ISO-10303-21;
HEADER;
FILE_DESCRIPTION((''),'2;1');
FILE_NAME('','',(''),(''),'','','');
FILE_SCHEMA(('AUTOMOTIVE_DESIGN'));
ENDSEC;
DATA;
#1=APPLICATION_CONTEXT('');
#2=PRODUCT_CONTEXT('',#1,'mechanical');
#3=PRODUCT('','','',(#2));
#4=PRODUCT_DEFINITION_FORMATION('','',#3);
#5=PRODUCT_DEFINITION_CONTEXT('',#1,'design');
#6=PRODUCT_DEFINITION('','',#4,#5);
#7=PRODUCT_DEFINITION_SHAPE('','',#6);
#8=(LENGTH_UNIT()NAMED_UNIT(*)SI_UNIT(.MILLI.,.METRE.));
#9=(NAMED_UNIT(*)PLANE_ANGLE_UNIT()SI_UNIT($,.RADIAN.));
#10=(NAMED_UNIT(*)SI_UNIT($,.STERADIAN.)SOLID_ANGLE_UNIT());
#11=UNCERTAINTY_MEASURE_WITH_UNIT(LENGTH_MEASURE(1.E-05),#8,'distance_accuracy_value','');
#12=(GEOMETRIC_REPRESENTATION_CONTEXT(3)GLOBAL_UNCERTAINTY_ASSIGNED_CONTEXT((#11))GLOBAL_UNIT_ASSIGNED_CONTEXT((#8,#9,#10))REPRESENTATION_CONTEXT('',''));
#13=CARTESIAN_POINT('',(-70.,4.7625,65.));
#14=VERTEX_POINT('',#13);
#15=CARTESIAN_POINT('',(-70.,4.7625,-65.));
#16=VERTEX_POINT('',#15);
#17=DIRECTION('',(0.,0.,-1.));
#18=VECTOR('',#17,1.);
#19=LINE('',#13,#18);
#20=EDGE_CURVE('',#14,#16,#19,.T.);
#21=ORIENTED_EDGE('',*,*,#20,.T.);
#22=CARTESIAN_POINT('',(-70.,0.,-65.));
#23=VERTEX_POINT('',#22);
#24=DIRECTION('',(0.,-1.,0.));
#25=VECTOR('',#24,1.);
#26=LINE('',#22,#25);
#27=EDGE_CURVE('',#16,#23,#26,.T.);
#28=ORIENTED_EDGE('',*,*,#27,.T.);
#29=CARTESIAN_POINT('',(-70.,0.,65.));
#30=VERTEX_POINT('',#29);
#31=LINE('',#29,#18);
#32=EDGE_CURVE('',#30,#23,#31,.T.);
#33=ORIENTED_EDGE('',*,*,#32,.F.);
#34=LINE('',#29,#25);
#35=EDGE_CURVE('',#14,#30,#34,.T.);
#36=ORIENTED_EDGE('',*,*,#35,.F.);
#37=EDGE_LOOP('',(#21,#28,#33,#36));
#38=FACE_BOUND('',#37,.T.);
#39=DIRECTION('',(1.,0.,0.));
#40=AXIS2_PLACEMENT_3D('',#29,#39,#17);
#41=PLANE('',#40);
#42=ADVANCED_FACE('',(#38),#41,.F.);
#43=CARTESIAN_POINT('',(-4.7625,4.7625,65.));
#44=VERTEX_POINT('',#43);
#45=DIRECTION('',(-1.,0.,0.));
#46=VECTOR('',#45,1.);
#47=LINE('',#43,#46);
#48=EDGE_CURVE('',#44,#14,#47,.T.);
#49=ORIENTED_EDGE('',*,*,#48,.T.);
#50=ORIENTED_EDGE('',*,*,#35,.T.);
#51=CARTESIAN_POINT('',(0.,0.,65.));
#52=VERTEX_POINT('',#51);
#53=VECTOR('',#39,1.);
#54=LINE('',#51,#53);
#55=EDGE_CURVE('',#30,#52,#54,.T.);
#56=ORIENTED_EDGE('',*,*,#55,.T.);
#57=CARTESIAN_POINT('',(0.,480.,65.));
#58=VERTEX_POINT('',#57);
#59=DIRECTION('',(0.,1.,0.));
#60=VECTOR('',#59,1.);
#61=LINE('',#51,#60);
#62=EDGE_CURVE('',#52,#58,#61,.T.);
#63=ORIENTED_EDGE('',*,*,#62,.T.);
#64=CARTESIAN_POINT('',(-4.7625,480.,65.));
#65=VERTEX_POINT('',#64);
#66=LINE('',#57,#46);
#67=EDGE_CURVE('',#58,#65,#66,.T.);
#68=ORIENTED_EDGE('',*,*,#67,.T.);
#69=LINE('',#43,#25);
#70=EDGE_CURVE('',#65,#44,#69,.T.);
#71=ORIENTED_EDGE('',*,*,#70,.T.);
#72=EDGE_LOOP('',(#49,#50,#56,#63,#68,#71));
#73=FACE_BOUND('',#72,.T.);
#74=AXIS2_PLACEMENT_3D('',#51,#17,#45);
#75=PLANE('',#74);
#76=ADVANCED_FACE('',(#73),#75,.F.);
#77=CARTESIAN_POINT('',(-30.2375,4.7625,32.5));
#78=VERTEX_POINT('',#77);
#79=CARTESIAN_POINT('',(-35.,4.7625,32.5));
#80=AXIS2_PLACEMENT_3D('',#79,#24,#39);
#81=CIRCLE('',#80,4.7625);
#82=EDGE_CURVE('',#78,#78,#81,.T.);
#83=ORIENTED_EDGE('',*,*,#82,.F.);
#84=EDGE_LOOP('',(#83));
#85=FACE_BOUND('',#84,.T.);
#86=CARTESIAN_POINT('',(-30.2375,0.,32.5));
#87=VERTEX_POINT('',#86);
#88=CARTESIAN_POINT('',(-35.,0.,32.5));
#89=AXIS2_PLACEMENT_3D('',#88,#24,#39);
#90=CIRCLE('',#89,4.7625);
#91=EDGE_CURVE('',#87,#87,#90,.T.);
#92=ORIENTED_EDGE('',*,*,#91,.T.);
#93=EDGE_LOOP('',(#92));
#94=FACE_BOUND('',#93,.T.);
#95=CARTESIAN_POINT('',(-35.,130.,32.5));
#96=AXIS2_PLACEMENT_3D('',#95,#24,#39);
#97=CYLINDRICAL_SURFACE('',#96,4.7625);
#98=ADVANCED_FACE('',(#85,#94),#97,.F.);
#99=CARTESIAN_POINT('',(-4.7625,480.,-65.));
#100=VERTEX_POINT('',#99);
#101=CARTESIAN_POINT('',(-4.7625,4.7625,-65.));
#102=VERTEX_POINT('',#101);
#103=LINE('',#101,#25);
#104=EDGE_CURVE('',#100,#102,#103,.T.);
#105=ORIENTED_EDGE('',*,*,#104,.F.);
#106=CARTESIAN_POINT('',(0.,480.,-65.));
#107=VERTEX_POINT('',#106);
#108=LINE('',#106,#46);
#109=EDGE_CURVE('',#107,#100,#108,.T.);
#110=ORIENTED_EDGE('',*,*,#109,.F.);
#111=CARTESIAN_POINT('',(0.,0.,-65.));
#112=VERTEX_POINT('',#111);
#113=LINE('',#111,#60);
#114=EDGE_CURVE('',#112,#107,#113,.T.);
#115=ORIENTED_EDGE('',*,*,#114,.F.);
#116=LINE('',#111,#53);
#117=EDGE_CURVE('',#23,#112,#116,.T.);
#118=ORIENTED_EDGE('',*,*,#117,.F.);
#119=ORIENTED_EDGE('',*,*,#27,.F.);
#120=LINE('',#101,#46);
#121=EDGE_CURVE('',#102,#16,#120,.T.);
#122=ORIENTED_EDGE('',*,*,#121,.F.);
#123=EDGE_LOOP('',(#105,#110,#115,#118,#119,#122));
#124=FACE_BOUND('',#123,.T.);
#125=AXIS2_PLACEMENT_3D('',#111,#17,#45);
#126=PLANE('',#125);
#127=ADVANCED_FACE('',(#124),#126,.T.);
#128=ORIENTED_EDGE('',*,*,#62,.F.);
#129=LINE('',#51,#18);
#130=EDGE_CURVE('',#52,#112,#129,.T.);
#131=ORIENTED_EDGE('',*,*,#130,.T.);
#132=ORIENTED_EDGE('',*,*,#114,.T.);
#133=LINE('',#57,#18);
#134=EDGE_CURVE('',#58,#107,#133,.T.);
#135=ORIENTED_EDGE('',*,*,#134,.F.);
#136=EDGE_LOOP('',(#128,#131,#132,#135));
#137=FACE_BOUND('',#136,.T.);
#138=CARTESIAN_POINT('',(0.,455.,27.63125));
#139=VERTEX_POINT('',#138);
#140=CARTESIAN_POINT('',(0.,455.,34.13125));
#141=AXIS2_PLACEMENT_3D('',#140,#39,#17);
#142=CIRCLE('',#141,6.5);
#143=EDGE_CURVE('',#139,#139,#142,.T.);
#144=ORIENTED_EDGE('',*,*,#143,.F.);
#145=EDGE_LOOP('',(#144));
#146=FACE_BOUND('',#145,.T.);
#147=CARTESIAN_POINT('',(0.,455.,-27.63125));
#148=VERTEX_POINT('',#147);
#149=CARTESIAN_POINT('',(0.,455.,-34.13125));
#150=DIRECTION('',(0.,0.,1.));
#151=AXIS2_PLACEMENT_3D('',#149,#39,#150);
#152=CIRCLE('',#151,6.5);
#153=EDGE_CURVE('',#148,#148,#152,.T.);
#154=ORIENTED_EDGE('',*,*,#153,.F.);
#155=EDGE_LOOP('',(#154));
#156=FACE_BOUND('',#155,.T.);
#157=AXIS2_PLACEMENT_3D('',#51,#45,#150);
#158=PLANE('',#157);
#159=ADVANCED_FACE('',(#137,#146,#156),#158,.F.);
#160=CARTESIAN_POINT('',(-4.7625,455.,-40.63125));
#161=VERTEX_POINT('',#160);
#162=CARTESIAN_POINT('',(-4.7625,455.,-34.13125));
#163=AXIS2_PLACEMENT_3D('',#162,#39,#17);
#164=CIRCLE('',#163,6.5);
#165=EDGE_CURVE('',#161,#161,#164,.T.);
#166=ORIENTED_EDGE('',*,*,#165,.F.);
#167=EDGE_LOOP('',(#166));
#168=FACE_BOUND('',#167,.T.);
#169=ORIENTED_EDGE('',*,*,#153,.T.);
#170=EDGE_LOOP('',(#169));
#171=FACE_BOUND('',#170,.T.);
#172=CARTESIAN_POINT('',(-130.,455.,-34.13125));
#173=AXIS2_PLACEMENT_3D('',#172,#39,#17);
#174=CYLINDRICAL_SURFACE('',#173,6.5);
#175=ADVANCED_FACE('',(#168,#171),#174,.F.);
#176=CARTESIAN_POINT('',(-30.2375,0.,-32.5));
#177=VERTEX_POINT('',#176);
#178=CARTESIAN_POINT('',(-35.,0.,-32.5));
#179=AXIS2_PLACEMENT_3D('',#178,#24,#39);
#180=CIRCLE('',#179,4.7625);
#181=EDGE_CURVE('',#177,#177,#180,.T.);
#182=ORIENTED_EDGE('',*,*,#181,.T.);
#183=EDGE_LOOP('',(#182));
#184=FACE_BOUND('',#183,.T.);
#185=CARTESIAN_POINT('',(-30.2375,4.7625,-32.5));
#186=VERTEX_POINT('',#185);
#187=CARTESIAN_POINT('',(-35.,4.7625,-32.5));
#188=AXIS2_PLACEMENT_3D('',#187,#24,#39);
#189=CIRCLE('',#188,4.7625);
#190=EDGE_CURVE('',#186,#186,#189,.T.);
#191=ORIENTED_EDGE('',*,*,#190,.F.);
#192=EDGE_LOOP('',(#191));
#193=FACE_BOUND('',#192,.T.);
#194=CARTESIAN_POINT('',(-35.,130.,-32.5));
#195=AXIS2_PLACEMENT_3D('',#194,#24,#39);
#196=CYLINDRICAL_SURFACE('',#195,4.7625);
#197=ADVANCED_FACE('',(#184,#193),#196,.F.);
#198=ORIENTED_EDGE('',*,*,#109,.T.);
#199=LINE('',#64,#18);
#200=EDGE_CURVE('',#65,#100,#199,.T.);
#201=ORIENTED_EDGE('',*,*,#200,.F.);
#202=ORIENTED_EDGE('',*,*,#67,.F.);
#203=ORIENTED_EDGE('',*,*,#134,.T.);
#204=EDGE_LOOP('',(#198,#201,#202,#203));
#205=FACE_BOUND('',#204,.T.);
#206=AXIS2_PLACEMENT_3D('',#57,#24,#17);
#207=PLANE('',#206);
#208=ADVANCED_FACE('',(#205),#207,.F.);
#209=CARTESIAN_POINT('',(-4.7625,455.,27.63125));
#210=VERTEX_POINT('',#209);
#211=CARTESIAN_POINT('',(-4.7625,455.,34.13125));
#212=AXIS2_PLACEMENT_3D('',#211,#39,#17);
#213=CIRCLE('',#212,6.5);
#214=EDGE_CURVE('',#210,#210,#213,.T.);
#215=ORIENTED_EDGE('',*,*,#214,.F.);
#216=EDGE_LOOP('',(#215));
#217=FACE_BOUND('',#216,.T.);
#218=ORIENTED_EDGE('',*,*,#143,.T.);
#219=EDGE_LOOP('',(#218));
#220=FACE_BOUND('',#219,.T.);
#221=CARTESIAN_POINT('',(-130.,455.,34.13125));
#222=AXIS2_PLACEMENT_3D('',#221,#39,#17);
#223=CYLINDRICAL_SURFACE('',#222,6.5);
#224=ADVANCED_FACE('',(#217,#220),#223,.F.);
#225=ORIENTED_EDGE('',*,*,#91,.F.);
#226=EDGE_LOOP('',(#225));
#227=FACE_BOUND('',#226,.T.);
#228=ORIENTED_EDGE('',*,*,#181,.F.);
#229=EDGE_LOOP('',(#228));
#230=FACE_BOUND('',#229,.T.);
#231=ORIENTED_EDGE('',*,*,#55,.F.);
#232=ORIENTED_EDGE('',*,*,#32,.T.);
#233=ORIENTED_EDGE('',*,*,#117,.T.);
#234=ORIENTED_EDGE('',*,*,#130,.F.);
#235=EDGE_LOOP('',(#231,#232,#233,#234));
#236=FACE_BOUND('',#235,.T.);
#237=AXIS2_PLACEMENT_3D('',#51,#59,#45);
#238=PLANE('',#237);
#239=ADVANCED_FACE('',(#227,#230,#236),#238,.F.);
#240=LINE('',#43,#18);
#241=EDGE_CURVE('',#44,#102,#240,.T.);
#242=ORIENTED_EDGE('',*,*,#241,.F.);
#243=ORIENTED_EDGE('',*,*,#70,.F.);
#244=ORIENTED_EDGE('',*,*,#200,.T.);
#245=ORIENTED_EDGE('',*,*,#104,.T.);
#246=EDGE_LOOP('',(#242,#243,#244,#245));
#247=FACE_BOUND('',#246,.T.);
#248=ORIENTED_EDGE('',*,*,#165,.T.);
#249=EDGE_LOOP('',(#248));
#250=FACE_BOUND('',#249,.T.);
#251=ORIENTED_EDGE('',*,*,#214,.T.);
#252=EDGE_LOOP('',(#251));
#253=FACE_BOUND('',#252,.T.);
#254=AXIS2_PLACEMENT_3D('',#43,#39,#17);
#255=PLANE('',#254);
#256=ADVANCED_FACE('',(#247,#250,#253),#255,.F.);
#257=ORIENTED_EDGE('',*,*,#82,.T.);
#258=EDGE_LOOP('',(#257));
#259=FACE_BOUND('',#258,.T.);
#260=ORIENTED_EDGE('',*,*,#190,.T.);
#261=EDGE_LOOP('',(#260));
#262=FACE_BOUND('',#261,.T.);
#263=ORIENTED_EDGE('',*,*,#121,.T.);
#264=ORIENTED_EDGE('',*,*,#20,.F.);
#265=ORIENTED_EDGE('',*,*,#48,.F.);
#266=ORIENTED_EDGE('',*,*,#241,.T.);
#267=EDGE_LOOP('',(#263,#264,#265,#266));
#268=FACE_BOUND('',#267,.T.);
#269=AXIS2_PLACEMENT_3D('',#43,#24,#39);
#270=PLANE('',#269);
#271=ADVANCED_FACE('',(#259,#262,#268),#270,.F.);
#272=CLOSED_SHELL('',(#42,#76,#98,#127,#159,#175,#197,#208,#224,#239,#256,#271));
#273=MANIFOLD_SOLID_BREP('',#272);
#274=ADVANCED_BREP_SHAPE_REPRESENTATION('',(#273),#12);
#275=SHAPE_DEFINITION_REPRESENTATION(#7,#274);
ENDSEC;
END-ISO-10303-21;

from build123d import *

# Parameters (mm, degrees)
SALIENTE_EXTRUIR1_DEPTH = 65
CROQUIS2_R              = 4.7625
CORTAR_EXTRUIR1_DEPTH   = 130
CROQUIS3_R              = 6.5
CORTAR_EXTRUIR2_DEPTH   = 130


with BuildPart() as part:
    # Croquis1 → Saliente-Extruir1 (new, symmetric)
    with BuildSketch(Plane.XY):
        Polygon((0, 0), (0, 480), (-4.7625, 480), (-4.7625, 4.7625), (-70, 4.7625), (-70, 0), align=None)
    extrude(amount=SALIENTE_EXTRUIR1_DEPTH, both=True)

    # Croquis2 → Cortar-Extruir1 (cut)
    with BuildSketch(Plane(origin=(0, 0, 0), x_dir=(-1, 0, 0), z_dir=(0, -1, 0))):
        with Locations(Location((35, -32.5, 0), (0, 0, 180))):
            Circle(CROQUIS2_R)
        with Locations(Location((35, 32.5, 0), (0, 0, 180))):
            Circle(CROQUIS2_R)
    extrude(amount=-CORTAR_EXTRUIR1_DEPTH, mode=Mode.SUBTRACT)

    # Croquis3 → Cortar-Extruir2 (cut)
    with BuildSketch(Plane(origin=(0, 0, 0), x_dir=(0, 0, -1), z_dir=(1, 0, 0))):
        with Locations((-34.13125, 455)):
            Circle(CROQUIS3_R)
        with Locations((34.13125, 455)):
            Circle(CROQUIS3_R)
    extrude(amount=-CORTAR_EXTRUIR2_DEPTH, mode=Mode.SUBTRACT)


solid = part.part
